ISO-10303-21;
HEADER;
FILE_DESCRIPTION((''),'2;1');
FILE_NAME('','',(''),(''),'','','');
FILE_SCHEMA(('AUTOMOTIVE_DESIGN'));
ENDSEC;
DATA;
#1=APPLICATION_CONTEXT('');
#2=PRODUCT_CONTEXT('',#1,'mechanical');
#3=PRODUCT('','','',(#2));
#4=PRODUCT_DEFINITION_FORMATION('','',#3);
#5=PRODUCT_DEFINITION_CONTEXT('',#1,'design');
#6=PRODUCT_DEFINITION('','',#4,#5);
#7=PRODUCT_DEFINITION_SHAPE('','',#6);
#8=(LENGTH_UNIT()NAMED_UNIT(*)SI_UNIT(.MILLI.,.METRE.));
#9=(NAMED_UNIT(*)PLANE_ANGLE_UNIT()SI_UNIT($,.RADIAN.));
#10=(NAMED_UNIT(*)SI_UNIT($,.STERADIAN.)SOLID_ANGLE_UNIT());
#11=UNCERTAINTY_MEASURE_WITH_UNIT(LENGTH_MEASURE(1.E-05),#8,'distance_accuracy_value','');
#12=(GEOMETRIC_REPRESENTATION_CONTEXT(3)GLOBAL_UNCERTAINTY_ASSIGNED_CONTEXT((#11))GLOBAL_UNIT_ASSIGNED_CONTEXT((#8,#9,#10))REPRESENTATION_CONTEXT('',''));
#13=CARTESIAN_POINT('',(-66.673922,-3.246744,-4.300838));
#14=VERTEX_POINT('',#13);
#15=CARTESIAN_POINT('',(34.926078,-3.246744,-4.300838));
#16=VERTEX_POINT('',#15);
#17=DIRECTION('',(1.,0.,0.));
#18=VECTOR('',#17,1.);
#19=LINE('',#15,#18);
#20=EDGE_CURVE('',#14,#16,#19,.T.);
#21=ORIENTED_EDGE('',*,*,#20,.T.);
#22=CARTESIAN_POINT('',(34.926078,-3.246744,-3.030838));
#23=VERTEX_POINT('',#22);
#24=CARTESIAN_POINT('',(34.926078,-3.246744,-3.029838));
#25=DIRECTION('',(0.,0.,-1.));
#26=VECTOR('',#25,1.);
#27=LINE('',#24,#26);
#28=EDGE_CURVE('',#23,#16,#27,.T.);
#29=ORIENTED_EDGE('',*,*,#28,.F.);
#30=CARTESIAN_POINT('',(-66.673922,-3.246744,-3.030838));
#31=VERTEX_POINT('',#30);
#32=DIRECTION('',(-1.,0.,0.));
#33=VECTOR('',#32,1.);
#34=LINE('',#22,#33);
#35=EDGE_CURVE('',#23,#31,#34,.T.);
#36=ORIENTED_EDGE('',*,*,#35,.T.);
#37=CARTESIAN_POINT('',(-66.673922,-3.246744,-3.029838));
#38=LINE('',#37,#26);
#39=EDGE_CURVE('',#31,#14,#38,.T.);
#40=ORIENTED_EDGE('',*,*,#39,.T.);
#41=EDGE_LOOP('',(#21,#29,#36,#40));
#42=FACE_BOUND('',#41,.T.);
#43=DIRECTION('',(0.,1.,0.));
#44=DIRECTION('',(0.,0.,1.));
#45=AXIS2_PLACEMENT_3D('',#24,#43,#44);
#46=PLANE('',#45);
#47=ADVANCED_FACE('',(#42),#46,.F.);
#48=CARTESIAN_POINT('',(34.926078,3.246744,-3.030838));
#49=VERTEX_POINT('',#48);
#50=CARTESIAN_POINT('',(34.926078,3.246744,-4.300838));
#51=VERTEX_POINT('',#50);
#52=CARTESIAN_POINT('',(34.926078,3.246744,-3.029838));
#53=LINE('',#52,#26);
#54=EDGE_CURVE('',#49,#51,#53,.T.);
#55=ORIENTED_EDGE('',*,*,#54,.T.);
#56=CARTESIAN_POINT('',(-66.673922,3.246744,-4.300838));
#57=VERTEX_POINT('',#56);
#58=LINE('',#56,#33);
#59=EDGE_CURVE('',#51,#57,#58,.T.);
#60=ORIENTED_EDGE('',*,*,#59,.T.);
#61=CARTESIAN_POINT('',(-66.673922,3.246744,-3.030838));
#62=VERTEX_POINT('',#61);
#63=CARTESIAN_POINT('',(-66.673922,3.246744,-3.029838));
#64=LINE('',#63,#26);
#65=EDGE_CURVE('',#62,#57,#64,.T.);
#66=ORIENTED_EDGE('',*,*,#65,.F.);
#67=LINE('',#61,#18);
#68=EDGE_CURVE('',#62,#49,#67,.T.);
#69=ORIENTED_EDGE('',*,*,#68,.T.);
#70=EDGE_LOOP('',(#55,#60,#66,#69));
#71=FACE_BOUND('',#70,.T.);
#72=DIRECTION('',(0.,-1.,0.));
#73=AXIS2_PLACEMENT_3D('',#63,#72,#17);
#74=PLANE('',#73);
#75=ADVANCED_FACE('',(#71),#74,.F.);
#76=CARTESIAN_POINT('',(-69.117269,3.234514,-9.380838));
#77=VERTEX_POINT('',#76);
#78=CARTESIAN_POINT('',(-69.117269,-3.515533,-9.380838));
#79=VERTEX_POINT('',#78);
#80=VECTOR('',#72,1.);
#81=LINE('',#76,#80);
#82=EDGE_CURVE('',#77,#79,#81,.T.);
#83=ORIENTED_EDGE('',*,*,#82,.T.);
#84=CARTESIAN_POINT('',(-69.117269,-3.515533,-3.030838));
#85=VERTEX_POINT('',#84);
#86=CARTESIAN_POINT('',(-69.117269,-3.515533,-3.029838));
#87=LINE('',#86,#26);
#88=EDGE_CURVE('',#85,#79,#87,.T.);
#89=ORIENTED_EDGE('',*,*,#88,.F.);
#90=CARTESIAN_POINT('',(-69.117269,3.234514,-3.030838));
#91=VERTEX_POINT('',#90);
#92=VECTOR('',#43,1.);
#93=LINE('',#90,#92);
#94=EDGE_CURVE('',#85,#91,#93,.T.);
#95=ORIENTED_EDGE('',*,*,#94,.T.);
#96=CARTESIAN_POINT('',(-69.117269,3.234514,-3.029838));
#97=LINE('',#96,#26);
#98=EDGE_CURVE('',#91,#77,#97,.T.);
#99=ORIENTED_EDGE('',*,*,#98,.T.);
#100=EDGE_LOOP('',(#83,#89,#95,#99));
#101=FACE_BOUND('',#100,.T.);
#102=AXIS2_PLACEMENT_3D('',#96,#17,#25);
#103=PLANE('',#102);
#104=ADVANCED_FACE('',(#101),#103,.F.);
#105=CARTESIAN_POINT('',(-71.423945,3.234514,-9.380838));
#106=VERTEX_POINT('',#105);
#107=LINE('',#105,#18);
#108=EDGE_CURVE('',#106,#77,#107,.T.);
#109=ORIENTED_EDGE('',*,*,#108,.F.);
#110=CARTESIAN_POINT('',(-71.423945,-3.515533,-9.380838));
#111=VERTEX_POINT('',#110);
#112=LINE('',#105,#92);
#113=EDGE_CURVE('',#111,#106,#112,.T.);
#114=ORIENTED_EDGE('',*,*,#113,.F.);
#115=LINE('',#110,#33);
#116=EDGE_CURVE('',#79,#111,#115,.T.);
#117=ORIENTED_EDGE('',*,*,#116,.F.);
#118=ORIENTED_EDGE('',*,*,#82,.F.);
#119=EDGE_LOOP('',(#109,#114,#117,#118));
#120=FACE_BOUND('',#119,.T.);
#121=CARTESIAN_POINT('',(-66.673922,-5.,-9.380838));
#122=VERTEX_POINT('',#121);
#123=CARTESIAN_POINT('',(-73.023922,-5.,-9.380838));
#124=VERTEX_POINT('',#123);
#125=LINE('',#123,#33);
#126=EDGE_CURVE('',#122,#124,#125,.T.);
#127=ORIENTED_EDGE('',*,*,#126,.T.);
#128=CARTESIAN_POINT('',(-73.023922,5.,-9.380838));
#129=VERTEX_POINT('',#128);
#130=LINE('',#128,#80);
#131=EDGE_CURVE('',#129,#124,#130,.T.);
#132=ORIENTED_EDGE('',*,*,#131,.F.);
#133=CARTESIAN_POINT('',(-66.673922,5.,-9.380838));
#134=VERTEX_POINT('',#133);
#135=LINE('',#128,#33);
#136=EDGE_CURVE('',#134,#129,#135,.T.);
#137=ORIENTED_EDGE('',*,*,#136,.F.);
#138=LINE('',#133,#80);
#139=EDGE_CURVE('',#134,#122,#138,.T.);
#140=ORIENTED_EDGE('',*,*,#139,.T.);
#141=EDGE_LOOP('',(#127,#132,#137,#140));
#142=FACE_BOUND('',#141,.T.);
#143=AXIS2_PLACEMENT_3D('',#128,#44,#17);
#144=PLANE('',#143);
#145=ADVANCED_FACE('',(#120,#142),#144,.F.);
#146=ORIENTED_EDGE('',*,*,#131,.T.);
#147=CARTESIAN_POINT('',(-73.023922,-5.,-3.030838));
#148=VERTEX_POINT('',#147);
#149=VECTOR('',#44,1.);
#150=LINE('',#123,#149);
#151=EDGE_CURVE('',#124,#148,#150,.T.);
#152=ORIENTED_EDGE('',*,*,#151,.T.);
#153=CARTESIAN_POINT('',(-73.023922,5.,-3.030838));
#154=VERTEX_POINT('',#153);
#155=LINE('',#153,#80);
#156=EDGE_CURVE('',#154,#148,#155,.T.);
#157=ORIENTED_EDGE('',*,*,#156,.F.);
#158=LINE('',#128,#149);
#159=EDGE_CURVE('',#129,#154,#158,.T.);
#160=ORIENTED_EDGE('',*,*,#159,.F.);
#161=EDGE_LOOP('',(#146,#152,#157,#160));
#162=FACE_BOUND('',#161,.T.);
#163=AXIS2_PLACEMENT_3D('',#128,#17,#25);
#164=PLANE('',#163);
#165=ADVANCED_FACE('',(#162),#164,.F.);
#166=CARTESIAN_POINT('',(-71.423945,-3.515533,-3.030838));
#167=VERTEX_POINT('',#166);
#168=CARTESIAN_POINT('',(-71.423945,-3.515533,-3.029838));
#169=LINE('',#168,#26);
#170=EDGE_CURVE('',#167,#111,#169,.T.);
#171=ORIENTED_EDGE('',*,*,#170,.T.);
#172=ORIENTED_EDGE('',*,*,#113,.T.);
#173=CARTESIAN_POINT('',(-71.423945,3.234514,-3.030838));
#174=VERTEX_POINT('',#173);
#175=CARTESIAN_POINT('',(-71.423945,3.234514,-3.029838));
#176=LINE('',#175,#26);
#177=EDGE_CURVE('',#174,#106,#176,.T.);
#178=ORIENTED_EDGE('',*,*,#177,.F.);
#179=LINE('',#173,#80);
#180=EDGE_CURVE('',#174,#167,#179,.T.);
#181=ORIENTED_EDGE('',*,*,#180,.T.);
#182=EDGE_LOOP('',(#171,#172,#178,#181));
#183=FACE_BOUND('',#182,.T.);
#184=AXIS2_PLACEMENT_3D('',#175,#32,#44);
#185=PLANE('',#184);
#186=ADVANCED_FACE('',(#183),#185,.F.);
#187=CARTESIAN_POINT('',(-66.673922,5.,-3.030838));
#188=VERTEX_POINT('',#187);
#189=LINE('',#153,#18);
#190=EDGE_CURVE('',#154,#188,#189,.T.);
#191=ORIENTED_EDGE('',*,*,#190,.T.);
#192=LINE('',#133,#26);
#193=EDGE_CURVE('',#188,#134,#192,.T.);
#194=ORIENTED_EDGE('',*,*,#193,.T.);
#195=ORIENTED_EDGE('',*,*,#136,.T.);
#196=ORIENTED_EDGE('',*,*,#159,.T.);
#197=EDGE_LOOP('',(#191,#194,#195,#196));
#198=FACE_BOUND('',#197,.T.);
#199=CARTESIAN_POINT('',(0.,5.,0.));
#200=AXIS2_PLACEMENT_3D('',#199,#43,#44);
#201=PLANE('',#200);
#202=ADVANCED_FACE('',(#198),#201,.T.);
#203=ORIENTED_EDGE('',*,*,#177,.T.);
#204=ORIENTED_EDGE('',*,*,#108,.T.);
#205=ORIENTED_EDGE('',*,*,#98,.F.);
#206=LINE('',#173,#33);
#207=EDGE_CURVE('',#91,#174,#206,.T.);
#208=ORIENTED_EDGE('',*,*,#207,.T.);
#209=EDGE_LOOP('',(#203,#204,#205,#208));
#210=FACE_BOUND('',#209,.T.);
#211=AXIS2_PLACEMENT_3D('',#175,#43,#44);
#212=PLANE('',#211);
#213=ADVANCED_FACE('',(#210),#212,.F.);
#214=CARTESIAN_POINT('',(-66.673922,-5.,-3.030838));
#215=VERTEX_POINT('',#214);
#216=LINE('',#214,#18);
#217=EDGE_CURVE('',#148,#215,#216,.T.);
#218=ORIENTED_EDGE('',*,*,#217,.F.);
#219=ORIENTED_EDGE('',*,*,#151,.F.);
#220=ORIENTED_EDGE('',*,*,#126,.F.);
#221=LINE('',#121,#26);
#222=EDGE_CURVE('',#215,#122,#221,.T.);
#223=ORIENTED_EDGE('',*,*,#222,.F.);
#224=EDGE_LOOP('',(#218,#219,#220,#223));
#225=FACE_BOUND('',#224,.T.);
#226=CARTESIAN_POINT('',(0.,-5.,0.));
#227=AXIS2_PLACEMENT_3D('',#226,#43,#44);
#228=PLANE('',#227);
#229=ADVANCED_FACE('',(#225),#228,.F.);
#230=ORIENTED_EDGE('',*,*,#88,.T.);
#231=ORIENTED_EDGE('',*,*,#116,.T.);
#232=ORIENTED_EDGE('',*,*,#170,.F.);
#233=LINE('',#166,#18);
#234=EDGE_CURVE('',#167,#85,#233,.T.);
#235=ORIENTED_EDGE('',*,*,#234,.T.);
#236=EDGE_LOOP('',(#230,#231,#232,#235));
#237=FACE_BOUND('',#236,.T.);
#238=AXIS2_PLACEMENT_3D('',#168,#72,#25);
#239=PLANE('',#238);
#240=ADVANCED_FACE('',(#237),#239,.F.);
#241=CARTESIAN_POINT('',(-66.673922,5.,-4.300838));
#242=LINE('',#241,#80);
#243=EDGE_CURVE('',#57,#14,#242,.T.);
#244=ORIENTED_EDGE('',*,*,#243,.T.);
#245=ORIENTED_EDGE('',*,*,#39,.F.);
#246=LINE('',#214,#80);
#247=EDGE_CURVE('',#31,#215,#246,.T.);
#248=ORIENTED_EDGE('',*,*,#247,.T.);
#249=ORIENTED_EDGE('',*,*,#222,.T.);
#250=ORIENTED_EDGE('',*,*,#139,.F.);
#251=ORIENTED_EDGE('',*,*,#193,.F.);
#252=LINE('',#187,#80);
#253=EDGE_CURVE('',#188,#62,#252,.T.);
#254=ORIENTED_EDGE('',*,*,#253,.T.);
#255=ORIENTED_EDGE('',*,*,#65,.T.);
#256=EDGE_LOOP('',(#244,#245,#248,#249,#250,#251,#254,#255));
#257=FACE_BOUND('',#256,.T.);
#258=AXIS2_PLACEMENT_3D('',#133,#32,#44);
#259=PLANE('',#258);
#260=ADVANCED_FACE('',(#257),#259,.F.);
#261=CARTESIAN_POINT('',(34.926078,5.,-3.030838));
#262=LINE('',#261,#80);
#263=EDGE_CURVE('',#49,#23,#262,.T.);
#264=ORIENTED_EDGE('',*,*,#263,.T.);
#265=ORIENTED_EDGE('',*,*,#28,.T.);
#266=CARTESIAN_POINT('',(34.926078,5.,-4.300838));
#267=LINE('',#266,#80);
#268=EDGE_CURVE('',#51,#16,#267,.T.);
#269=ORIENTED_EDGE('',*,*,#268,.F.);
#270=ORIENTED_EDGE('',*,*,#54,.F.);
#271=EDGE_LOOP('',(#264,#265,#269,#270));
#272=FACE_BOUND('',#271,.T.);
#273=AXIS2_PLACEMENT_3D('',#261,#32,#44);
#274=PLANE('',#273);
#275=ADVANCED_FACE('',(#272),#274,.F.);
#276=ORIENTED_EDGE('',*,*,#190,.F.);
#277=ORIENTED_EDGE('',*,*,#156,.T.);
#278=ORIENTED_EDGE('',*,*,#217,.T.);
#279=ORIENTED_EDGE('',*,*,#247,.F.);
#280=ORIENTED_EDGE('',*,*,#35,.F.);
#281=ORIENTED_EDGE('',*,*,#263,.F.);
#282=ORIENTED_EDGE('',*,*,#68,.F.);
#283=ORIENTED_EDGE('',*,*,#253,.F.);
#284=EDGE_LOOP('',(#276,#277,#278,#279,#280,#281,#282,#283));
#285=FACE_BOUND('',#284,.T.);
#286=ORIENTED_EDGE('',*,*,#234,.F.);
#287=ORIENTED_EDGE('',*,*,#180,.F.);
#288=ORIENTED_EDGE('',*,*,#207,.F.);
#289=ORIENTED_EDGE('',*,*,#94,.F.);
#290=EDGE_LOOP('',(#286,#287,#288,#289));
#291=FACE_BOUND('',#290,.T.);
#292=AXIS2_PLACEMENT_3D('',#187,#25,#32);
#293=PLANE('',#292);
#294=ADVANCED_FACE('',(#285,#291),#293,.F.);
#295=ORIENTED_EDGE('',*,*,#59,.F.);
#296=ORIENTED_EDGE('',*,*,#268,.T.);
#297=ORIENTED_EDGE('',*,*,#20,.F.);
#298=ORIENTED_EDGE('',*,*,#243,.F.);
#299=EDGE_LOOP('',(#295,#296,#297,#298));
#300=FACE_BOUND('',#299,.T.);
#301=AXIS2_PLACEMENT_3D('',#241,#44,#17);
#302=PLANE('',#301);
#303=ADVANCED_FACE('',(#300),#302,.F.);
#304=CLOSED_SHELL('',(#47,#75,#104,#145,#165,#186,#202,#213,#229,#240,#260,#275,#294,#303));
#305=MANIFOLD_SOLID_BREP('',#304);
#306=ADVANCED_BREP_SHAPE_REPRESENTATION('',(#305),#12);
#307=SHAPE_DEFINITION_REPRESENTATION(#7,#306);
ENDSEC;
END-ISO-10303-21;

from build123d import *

# Parameters (mm, degrees)
BOSS_EXTRUDE1_DEPTH = 5
CUT_EXTRUDE1_REACH  = 75.47
SKETCH2_W           = 2.306675789
SKETCH2_H           = 6.75004694
CUT_EXTRUDE2_REACH  = 75.371
SKETCH3_W           = 101.6
SKETCH3_H           = 1.753256074


with BuildPart() as part:
    # Sketch1 → Boss-Extrude1 (new, symmetric)
    with BuildSketch(Plane(origin=(0, 0, 0), x_dir=(1, 0, 0), z_dir=(0, 1, 0))):
        Polygon((-73.023921726, 9.380838376), (-66.673921726, 9.380838376), (-66.673921726, 4.300838376), (34.926078274, 4.300838376), (34.926078274, 3.030838376), (-66.673921726, 3.030838376), (-73.023921726, 3.030838376), align=None)
    extrude(amount=BOSS_EXTRUDE1_DEPTH, both=True)

    # Sketch2 → Cut-Extrude1 (cut, up to next)
    with BuildSketch(Plane(origin=(0, 0, -9.380838376), x_dir=(-1, 0, 0), z_dir=(0, 0, -1)), mode=Mode.PRIVATE) as cut_extrude1_sk1:
        with Locations((70.270606821, -0.140509405)):
            Rectangle(SKETCH2_W, SKETCH2_H)
    cut_extrude1_tool1 = extrude(cut_extrude1_sk1.sketch, amount=-CUT_EXTRUDE1_REACH, mode=Mode.PRIVATE) & part.part
    add(cut_extrude1_tool1.solids().sort_by_distance((-70.270607, -0.140509, -9.380838))[0], mode=Mode.SUBTRACT)

    # Sketch3 → Cut-Extrude2 (cut, up to next)
    with BuildSketch(Plane(origin=(0, 0, -4.300838376), x_dir=(-1, 0, 0), z_dir=(0, 0, -1)), mode=Mode.PRIVATE) as cut_extrude2_sk1:
        with Locations((15.873921726, 4.123371963)):
            Rectangle(SKETCH3_W, SKETCH3_H)
    cut_extrude2_tool1 = extrude(cut_extrude2_sk1.sketch, amount=-CUT_EXTRUDE2_REACH, mode=Mode.PRIVATE) & part.part
    # Sketch3 → Cut-Extrude2 (cut, up to next)
    with BuildSketch(Plane(origin=(0, 0, -4.300838376), x_dir=(-1, 0, 0), z_dir=(0, 0, -1)), mode=Mode.PRIVATE) as cut_extrude2_sk2:
        with Locations((15.873921726, -4.123371963)):
            Rectangle(SKETCH3_W, SKETCH3_H)
    cut_extrude2_tool2 = extrude(cut_extrude2_sk2.sketch, amount=-CUT_EXTRUDE2_REACH, mode=Mode.PRIVATE) & part.part
    add(cut_extrude2_tool1.solids().sort_by_distance((-15.873922, 4.123372, -4.300838))[0], mode=Mode.SUBTRACT)
    add(cut_extrude2_tool2.solids().sort_by_distance((-15.873922, -4.123372, -4.300838))[0], mode=Mode.SUBTRACT)


solid = part.part
